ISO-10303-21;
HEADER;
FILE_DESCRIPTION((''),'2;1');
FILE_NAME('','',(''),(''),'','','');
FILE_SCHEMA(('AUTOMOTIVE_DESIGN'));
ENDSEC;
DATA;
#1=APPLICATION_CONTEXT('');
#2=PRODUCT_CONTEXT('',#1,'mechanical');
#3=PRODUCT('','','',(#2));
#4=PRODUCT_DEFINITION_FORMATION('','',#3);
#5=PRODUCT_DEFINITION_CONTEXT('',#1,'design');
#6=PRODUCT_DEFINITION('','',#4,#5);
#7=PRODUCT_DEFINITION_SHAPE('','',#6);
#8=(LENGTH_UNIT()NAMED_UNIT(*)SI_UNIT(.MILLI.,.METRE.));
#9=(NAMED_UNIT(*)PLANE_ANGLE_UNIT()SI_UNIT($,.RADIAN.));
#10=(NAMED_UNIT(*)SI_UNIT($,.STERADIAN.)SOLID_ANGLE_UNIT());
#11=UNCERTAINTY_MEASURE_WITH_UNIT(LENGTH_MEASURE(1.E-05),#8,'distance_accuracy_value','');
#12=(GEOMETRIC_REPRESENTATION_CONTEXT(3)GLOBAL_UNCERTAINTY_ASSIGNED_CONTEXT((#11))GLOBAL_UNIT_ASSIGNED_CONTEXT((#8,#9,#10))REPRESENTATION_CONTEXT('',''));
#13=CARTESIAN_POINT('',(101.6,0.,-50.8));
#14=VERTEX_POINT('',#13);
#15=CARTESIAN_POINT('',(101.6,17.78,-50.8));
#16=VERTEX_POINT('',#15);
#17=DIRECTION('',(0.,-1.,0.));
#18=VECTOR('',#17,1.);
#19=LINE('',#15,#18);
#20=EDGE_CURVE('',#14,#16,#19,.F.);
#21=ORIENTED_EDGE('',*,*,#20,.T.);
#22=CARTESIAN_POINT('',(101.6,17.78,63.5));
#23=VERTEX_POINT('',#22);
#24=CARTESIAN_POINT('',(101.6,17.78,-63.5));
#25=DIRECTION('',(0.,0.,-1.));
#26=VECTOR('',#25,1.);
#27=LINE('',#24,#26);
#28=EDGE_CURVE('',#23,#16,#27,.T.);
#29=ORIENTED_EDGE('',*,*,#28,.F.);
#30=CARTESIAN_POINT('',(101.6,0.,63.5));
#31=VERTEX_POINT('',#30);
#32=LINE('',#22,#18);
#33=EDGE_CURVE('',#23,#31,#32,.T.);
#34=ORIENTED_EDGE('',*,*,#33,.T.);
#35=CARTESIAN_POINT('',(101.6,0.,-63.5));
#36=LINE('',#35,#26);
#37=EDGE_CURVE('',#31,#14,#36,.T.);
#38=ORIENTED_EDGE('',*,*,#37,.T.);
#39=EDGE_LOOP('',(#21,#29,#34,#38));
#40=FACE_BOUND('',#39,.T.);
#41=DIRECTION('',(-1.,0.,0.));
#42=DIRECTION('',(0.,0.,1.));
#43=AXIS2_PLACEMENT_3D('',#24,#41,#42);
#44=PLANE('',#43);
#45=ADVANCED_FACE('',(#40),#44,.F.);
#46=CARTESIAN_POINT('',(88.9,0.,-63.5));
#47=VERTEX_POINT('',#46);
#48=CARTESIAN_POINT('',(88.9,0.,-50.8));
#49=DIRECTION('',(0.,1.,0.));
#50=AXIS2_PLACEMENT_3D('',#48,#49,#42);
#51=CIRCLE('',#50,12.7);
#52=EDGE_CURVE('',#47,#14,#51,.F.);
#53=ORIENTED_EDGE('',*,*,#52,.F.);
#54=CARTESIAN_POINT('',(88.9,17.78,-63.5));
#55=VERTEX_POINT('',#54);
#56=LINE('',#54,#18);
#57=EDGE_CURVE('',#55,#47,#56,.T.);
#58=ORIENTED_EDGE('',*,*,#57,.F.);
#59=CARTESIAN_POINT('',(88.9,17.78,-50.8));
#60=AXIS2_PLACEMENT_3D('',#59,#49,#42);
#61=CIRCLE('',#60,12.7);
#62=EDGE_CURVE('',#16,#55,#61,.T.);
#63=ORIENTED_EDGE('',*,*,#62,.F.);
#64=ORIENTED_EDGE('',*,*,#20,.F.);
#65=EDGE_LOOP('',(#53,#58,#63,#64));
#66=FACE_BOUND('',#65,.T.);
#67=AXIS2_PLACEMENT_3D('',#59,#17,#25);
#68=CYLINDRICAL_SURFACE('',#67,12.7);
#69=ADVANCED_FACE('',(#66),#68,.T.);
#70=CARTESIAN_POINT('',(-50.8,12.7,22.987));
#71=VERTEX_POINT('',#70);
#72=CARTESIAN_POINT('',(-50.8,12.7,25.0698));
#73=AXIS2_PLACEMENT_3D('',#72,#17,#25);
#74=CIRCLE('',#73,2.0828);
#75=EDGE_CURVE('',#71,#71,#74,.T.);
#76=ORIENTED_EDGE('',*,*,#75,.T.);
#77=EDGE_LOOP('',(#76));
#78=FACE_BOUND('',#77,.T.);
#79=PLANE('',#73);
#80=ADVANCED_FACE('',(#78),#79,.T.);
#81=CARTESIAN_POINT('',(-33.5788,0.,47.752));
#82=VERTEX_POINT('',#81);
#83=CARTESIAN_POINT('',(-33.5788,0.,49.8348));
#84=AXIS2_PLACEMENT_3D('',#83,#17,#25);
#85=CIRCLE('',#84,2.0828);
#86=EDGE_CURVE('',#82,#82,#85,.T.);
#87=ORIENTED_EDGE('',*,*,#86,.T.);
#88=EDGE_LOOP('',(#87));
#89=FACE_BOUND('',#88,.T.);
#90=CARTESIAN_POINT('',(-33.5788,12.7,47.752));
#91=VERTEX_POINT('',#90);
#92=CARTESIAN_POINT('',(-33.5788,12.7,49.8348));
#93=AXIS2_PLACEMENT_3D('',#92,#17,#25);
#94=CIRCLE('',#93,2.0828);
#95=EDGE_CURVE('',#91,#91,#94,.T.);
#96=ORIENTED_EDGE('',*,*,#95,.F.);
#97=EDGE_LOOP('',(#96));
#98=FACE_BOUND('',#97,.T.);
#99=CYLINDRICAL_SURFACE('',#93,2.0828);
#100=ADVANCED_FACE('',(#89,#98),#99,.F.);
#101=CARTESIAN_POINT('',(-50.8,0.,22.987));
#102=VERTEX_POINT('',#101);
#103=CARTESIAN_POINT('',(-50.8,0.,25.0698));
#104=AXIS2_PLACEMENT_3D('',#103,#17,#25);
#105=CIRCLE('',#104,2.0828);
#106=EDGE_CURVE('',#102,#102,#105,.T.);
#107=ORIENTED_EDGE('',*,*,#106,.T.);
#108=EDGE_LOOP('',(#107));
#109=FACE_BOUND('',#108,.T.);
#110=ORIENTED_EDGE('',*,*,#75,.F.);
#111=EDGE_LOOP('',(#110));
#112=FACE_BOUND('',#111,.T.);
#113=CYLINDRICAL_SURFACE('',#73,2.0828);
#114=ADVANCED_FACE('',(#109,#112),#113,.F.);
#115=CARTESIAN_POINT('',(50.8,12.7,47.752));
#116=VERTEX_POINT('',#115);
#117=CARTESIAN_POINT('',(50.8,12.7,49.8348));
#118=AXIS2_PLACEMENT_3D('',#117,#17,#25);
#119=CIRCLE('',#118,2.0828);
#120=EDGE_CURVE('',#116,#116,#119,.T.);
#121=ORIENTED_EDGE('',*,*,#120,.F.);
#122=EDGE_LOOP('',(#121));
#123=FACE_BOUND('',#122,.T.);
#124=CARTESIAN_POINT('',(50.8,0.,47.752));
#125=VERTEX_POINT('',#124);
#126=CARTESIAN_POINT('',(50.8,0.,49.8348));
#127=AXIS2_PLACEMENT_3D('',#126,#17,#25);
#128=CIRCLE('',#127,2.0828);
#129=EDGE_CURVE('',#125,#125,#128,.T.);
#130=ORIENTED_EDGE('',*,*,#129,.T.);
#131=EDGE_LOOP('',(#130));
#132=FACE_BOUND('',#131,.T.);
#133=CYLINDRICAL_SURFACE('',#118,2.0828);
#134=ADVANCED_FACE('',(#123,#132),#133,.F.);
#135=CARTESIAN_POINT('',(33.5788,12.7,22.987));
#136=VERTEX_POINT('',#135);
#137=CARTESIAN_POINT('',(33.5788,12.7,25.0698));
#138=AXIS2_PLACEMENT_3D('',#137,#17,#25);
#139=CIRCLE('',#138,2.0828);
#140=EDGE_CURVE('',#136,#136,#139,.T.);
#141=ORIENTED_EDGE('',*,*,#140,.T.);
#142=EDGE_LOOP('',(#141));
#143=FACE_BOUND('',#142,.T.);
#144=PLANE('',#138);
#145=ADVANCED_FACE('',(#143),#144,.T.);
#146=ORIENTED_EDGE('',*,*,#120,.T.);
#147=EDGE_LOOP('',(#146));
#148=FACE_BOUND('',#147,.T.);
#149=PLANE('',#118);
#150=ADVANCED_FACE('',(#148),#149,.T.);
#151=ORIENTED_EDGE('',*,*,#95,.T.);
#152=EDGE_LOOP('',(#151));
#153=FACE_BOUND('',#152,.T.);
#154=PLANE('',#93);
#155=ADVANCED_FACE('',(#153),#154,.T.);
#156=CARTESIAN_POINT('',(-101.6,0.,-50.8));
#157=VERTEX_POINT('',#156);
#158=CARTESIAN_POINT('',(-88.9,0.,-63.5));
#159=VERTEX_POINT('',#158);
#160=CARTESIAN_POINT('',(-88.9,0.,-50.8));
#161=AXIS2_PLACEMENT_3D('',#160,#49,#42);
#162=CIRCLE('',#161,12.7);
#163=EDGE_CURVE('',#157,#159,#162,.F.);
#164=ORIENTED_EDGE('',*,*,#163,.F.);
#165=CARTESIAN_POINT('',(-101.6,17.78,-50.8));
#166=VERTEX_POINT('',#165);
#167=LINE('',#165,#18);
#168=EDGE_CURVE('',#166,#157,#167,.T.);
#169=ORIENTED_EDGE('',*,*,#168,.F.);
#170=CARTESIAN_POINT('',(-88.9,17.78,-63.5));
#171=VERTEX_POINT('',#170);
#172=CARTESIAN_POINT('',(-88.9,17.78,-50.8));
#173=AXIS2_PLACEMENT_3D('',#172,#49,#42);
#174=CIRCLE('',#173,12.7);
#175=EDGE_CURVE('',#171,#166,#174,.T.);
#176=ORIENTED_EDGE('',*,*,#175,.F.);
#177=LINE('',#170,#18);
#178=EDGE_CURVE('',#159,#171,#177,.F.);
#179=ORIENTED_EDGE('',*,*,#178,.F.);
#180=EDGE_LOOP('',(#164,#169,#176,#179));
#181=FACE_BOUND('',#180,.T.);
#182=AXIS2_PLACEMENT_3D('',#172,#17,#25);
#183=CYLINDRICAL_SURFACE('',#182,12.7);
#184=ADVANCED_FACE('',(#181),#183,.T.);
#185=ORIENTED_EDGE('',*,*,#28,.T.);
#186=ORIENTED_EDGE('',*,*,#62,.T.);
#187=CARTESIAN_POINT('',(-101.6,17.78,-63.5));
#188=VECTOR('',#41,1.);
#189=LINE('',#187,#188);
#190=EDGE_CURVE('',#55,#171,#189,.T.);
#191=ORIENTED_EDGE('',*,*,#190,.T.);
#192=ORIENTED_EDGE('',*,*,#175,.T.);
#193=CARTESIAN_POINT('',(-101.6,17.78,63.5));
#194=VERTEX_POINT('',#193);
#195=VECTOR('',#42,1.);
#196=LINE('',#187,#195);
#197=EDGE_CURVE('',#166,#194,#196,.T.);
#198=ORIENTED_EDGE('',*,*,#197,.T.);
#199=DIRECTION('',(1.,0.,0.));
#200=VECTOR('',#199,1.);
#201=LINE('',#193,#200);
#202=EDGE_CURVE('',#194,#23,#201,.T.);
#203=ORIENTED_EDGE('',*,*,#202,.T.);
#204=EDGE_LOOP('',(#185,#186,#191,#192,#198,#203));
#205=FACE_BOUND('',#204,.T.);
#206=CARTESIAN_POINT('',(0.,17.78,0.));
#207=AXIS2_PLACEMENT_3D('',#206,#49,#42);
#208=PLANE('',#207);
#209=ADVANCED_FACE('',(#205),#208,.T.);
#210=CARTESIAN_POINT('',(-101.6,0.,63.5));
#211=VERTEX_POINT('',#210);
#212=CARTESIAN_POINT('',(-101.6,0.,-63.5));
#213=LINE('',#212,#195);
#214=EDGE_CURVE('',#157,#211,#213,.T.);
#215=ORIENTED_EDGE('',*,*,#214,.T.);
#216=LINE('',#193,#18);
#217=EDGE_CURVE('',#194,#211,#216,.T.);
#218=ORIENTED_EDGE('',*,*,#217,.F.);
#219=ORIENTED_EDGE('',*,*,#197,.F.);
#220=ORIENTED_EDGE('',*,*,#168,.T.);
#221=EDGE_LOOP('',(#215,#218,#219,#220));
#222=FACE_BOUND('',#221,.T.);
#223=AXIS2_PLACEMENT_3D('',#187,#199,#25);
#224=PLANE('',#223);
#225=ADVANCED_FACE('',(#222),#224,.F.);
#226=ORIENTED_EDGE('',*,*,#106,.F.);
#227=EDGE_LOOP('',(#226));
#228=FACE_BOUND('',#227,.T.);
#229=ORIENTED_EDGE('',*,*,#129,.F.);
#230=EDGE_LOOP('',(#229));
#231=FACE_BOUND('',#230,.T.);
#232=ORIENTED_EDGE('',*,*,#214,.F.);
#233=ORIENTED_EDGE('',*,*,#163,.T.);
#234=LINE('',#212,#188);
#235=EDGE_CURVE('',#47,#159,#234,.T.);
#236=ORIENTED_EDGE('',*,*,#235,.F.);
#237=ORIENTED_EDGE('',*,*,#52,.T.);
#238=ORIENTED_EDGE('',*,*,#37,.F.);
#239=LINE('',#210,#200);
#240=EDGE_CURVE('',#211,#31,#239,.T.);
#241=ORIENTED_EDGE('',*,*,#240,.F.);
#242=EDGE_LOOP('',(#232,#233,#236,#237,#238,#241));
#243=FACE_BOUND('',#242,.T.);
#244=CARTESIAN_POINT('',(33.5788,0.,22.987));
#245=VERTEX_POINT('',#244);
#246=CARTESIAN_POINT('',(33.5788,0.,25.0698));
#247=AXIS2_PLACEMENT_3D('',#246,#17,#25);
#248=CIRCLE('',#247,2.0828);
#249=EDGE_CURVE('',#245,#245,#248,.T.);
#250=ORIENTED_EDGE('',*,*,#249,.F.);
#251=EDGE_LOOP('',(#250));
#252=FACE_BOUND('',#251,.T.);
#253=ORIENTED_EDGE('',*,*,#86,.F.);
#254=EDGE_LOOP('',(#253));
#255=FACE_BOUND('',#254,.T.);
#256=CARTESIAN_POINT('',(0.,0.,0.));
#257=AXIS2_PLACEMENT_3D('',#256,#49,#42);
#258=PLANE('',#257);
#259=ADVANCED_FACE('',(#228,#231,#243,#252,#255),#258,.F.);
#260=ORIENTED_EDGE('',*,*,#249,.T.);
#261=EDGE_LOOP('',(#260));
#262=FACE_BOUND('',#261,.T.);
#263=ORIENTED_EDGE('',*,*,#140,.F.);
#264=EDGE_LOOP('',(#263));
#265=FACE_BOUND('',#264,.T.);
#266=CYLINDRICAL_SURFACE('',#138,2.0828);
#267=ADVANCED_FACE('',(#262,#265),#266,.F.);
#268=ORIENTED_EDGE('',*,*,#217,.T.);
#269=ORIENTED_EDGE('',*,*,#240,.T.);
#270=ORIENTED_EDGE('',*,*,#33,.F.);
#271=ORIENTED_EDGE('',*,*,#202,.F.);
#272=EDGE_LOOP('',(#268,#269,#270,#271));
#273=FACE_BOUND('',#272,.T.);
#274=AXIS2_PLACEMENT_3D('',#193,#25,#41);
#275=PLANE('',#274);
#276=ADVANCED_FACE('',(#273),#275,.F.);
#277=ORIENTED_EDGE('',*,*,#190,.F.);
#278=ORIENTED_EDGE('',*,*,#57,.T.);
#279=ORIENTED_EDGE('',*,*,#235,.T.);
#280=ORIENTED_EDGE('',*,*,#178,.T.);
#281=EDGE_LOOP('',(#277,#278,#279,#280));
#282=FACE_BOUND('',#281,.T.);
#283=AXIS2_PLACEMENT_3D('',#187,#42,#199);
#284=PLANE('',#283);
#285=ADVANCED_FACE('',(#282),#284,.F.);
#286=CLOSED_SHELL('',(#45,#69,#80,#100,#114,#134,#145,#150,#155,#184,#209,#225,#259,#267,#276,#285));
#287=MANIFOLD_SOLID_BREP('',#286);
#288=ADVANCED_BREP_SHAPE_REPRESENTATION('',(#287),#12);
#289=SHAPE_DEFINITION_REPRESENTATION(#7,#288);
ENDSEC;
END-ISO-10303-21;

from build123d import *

# Parameters (mm, degrees)
SKETCH2_W           = 203.2
SKETCH2_H           = 127
BOSS_EXTRUDE2_DEPTH = 17.78
FILLET1_R           = 12.7
SKETCH5_R           = 2.0828
CUT_EXTRUDE2_DEPTH  = 12.7


with BuildPart() as part:
    # Sketch2 → Boss-Extrude2 (new body)
    with BuildSketch(Plane(origin=(0, 0, 0), x_dir=(1, 0, 0), z_dir=(0, 1, 0))):
        Rectangle(SKETCH2_W, SKETCH2_H)
    extrude(amount=BOSS_EXTRUDE2_DEPTH)

    # Fillet1
    fillet1_edges = [part.edges().sort_by_distance(p)[0] for p in [
        (-101.6, 8.89, -63.5),
        (101.6, 8.89, -63.5),
    ]]
    fillet(fillet1_edges, radius=FILLET1_R)

    # Sketch5 → Cut-Extrude2 (cut)
    with BuildSketch(Plane.XZ):
        with Locations(Location((50.8, 49.8348, 0), (0, 0, 270))):
            Circle(SKETCH5_R)
        with Locations(Location((33.5788, 25.0698, 0), (0, 0, 270))):
            Circle(SKETCH5_R)
        with Locations(Location((-50.8, 25.0698, 0), (0, 0, 270))):
            Circle(SKETCH5_R)
        with Locations(Location((-33.5788, 49.8348, 0), (0, 0, 270))):
            Circle(SKETCH5_R)
    extrude(amount=-CUT_EXTRUDE2_DEPTH, mode=Mode.SUBTRACT)


solid = part.part
